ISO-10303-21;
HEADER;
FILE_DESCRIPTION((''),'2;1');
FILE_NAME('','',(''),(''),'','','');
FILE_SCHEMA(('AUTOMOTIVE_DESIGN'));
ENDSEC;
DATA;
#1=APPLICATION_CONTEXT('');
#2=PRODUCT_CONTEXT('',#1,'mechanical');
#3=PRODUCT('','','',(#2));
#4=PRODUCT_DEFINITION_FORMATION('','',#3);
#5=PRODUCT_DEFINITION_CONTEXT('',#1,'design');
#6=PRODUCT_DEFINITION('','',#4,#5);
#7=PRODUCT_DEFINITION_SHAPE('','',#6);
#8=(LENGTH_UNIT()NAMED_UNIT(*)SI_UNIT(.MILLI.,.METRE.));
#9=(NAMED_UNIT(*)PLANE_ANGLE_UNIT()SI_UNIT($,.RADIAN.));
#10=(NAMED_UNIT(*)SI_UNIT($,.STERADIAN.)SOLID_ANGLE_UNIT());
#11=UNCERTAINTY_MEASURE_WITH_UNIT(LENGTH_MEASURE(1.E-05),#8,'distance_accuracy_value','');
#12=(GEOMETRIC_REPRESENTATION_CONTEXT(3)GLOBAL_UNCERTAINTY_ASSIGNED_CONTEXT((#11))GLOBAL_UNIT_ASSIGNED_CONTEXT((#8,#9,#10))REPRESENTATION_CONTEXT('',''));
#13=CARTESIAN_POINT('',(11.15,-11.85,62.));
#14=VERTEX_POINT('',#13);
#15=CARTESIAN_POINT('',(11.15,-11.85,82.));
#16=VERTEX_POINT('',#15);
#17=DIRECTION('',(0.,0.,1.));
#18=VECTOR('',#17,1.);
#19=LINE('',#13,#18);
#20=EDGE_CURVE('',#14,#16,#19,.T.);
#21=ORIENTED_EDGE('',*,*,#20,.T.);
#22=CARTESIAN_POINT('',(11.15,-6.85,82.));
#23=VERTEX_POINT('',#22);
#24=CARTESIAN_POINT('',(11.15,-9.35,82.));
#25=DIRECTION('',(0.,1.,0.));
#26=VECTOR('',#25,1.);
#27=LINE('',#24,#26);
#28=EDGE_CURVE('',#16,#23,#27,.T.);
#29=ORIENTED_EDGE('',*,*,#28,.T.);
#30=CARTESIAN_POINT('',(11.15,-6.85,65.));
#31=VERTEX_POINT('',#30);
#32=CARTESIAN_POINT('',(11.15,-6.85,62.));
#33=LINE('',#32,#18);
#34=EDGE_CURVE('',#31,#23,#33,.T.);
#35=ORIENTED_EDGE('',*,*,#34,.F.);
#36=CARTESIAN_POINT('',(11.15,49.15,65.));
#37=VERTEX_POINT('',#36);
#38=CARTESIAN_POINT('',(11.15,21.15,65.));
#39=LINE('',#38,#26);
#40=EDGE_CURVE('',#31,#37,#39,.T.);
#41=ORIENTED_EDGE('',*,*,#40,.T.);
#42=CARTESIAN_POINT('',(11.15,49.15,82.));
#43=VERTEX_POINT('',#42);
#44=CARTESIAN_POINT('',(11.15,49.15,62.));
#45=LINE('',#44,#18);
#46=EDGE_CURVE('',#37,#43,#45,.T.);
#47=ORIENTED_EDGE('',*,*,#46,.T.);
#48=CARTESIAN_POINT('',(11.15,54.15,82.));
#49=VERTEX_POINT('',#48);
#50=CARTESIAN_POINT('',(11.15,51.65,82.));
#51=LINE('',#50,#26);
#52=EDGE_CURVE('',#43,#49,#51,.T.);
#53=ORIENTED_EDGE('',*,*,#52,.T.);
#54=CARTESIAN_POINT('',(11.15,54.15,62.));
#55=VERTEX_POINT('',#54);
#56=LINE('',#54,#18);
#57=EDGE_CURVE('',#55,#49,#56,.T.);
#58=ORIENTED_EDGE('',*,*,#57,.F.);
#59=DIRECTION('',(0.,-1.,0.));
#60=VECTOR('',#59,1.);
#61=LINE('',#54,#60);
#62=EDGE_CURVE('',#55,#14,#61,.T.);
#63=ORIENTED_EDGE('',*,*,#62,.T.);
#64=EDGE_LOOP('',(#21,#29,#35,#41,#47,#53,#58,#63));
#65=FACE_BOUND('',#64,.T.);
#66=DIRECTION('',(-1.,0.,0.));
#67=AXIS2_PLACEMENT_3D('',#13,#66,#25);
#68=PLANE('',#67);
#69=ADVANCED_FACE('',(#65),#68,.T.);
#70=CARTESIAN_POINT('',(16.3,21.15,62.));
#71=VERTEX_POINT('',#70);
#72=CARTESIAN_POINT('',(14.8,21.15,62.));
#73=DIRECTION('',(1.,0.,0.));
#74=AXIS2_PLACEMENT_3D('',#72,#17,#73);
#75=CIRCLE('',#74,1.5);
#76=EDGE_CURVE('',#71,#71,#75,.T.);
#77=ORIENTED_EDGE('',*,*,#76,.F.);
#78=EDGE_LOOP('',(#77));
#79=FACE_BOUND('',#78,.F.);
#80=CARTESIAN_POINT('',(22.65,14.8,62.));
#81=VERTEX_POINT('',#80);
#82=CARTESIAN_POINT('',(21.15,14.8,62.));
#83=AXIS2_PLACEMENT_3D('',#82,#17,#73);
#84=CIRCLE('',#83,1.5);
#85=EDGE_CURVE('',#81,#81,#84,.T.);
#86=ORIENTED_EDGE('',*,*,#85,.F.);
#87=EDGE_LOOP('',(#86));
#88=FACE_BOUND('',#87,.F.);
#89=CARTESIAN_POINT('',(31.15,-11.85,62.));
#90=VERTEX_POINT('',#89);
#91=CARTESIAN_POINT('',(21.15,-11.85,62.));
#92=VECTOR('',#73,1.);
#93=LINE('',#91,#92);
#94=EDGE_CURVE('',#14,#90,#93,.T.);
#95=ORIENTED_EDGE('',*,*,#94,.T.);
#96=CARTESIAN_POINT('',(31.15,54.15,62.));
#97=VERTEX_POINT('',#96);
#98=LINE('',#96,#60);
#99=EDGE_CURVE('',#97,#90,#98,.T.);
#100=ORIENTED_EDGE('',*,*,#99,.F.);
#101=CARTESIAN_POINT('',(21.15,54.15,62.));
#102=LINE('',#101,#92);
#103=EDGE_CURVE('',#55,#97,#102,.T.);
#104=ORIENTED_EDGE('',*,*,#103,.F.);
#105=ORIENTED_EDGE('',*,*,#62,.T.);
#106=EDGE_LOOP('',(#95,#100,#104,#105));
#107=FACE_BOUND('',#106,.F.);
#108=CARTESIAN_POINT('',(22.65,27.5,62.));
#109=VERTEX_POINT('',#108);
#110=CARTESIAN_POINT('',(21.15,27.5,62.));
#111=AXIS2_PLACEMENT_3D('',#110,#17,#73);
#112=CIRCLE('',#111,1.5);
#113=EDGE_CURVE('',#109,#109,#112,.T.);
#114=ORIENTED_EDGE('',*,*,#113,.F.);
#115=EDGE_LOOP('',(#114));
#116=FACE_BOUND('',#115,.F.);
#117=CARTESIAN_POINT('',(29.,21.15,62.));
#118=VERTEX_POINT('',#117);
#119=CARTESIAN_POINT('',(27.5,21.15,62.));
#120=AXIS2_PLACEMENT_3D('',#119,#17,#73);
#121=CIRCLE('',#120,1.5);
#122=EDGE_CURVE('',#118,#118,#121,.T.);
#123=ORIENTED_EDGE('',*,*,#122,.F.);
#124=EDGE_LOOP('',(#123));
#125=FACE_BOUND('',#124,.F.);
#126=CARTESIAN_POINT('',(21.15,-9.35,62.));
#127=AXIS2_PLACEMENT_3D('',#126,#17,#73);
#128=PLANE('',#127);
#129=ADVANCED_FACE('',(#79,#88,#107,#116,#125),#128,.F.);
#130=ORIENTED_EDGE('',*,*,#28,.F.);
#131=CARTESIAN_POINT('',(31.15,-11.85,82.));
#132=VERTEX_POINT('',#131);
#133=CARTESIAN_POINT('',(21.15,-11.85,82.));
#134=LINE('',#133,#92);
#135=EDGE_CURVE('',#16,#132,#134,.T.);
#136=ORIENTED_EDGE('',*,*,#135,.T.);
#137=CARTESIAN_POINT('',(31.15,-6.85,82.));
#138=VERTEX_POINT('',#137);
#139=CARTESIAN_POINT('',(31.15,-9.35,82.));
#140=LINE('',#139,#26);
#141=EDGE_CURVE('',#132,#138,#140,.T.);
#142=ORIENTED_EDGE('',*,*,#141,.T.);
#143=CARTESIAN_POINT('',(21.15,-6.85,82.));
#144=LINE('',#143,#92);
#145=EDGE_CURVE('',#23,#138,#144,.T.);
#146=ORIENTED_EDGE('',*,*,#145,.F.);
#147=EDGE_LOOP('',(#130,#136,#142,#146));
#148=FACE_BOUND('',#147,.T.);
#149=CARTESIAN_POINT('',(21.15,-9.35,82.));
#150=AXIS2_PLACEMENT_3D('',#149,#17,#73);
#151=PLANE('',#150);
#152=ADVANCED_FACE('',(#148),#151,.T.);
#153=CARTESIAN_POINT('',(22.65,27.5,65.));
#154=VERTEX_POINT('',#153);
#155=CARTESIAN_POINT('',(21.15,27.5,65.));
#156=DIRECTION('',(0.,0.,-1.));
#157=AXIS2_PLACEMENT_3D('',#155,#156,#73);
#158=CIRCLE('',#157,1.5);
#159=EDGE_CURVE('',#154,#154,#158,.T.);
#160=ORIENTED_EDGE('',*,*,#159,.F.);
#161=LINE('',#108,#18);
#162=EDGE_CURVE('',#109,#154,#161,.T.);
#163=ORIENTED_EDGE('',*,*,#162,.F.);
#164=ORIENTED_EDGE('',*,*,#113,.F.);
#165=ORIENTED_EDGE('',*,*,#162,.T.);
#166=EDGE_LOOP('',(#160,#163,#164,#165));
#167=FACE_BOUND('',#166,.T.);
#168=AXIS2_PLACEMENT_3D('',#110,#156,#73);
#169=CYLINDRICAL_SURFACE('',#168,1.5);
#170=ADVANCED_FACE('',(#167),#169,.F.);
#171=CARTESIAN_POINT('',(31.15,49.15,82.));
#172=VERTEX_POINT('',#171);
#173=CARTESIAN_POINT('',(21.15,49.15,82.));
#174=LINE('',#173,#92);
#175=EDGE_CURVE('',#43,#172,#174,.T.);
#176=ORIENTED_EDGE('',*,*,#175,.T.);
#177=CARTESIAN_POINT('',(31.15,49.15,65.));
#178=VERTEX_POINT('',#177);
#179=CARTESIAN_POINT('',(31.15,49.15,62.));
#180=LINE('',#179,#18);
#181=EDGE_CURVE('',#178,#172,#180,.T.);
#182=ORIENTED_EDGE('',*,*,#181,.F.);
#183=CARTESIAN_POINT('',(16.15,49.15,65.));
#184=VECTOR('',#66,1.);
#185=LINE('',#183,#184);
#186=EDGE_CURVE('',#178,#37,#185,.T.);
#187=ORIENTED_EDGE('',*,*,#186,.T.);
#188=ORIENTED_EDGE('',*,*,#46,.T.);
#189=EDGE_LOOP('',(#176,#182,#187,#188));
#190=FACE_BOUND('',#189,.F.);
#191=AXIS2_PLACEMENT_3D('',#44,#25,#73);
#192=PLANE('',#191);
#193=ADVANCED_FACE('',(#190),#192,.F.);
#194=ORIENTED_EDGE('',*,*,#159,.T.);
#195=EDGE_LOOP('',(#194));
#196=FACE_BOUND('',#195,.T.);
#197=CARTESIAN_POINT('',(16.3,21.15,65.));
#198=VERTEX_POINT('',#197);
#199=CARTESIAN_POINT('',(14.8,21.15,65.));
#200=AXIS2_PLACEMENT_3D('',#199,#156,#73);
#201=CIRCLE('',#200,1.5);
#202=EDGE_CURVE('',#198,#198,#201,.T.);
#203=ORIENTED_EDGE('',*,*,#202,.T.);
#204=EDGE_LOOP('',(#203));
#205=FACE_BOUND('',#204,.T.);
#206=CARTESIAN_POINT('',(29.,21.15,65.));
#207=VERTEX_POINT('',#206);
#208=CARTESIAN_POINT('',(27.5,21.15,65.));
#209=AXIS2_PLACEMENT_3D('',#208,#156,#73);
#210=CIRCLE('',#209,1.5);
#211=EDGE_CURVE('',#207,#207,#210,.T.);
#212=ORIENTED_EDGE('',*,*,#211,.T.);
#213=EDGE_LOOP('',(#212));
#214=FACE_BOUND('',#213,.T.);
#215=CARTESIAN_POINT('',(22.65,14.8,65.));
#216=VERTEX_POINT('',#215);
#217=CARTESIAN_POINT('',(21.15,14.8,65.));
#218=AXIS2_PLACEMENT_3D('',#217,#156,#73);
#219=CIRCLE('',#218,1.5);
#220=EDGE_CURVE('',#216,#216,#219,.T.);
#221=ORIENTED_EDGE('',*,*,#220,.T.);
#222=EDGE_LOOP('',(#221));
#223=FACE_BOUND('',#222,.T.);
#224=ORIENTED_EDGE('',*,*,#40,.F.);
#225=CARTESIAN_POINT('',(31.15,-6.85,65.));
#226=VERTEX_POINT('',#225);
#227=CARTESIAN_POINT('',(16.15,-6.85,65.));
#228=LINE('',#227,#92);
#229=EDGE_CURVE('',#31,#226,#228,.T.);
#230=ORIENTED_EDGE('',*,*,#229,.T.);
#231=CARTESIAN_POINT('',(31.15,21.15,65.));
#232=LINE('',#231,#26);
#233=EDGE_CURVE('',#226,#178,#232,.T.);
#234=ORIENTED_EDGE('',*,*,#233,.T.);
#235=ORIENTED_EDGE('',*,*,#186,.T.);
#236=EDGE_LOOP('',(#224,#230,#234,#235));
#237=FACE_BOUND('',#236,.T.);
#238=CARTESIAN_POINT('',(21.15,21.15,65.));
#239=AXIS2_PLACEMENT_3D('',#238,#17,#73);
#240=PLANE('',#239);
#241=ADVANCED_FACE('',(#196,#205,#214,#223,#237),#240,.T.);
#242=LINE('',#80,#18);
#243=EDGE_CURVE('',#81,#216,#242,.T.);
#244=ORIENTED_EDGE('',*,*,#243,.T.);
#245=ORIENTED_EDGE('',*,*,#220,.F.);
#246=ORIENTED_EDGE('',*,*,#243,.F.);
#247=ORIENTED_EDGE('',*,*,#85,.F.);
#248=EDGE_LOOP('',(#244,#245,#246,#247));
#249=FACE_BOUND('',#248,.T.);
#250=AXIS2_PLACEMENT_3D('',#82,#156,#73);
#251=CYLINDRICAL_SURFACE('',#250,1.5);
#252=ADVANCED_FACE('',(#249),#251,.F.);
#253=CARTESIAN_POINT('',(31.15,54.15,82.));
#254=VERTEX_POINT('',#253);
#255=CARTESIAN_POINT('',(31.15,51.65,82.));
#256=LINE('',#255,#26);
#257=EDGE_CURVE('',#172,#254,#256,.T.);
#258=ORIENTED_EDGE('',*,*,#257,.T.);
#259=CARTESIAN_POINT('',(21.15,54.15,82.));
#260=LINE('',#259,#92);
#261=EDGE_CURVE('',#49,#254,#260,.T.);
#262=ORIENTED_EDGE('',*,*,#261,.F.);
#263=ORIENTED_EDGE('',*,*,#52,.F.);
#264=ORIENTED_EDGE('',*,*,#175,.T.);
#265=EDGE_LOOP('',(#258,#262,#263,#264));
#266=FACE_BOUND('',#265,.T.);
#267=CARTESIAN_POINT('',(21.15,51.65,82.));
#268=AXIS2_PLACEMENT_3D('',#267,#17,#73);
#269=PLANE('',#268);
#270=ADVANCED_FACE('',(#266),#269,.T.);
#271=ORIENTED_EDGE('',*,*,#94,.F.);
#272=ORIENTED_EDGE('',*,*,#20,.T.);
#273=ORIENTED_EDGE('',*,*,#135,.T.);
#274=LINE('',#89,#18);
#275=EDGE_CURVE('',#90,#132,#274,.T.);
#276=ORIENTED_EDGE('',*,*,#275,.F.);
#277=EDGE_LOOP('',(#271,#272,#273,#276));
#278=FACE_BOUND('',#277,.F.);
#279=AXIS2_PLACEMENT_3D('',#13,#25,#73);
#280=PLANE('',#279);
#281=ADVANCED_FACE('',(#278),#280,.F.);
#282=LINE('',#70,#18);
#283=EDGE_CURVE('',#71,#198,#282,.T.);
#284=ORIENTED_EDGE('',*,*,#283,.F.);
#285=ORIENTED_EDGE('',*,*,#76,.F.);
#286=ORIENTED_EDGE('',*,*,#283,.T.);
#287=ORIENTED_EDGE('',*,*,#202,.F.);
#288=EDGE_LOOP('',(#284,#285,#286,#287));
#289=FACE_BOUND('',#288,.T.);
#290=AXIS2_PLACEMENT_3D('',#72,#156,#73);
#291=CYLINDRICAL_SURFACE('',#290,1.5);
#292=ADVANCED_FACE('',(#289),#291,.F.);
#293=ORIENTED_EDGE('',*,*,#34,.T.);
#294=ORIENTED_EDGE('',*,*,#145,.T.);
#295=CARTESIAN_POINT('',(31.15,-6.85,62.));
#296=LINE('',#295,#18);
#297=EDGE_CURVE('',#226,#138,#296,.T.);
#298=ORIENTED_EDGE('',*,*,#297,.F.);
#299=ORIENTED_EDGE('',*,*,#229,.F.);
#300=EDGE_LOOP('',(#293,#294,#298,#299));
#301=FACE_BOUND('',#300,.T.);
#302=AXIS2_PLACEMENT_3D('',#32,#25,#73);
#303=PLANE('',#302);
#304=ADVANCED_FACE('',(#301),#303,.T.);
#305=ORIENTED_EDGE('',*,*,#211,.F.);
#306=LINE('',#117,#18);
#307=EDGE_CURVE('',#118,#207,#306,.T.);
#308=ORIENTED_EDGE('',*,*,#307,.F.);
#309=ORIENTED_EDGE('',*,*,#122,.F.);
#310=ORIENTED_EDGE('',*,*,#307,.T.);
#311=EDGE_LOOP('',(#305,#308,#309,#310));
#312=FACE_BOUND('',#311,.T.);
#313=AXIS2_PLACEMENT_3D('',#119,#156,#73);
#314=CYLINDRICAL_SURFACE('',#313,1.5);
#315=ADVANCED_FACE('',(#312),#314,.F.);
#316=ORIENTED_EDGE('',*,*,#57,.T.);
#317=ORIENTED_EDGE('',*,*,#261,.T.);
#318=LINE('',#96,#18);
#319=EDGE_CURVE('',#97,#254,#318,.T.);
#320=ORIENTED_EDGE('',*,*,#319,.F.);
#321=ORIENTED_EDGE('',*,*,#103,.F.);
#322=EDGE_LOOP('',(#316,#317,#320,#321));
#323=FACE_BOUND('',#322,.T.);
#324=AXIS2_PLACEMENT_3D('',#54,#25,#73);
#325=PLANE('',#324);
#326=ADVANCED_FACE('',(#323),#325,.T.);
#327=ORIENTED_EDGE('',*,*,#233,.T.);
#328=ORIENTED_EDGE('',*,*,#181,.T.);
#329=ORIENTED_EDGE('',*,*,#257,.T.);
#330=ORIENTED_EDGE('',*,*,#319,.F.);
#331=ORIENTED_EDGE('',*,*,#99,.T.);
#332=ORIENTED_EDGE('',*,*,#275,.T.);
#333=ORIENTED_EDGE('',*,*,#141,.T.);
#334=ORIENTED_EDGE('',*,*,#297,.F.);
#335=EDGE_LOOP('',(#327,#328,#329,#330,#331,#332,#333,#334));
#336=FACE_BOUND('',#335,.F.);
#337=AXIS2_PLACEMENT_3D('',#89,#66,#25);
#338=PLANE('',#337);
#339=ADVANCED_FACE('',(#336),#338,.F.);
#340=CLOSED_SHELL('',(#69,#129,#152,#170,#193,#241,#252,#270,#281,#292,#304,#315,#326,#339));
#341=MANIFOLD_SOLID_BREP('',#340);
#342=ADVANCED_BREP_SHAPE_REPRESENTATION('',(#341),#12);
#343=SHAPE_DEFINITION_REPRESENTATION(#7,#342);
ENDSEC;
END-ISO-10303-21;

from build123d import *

# Parameters (mm, degrees)
CYLINDER002_R     = 1.5
CYLINDER002_DEPTH = 10
CYLINDER003_R     = 1.5
CYLINDER003_DEPTH = 10
CYLINDER004_R     = 1.5
CYLINDER004_DEPTH = 10
CYLINDER001_R     = 1.5
CYLINDER001_DEPTH = 10
BOX003_W          = 20
BOX003_H          = 65
BOX003_DEPTH      = 3
BOX002_W          = 20
BOX002_H          = 5
BOX002_DEPTH      = 20
BOX001_W          = 20
BOX001_H          = 5
BOX001_DEPTH      = 20


with BuildPart() as h2:
    # Cylinder002 → Cylinder002 (new body)
    with BuildSketch(Plane(origin=(16.35, 32.5, 0), x_dir=(1, 0, 0), z_dir=(0, 0, 1))):
        Circle(CYLINDER002_R)
    extrude(amount=CYLINDER002_DEPTH)


with BuildPart() as h3:
    # Cylinder003 → Cylinder003 (new body)
    with BuildSketch(Plane(origin=(10, 38.85, 0), x_dir=(1, 0, 0), z_dir=(0, 0, 1))):
        Circle(CYLINDER003_R)
    extrude(amount=CYLINDER003_DEPTH)


with BuildPart() as h4:
    # Cylinder004 → Cylinder004 (new body)
    with BuildSketch(Plane(origin=(10, 26.15, 0), x_dir=(1, 0, 0), z_dir=(0, 0, 1))):
        Circle(CYLINDER004_R)
    extrude(amount=CYLINDER004_DEPTH)


with BuildPart() as h1:
    # Cylinder001 → Cylinder001 (new body)
    with BuildSketch(Plane(origin=(3.65, 32.5, 0), x_dir=(1, 0, 0), z_dir=(0, 0, 1))):
        Circle(CYLINDER001_R)
    extrude(amount=CYLINDER001_DEPTH)


with BuildPart() as cut003:
    # Box003 → Box003 (new body)
    with BuildSketch(Plane.XY):
        with Locations((10, 32.5)):
            Rectangle(BOX003_W, BOX003_H)
    extrude(amount=BOX003_DEPTH)

    # Cut: cut H1
    add(h1.part, mode=Mode.SUBTRACT)

    # Cut001: cut H4
    add(h4.part, mode=Mode.SUBTRACT)

    # Cut002: cut H3
    add(h3.part, mode=Mode.SUBTRACT)

    # Cut003: cut H2
    add(h2.part, mode=Mode.SUBTRACT)


with BuildPart() as arm2:
    # Box002 → Box002 (new body)
    with BuildSketch(Plane(origin=(0, 60.5, 0), x_dir=(1, 0, 0), z_dir=(0, 0, 1))):
        with Locations((10, 2.5)):
            Rectangle(BOX002_W, BOX002_H)
    extrude(amount=BOX002_DEPTH)


with BuildPart() as gripper:
    # Box001 → Box001 (new body)
    with BuildSketch(Plane(origin=(0, -0.5, 0), x_dir=(1, 0, 0), z_dir=(0, 0, 1))):
        with Locations((10, 2.5)):
            Rectangle(BOX001_W, BOX001_H)
    extrude(amount=BOX001_DEPTH)

    # Fusion001: union Cut003, Arm2
    add(cut003.part)
    add(arm2.part)


with BuildPart() as gripper_1:
    # Fusion001 placement: moved
    add(gripper.part.moved(Location((11.15, -11.35, 62))))


solid = gripper_1.part
